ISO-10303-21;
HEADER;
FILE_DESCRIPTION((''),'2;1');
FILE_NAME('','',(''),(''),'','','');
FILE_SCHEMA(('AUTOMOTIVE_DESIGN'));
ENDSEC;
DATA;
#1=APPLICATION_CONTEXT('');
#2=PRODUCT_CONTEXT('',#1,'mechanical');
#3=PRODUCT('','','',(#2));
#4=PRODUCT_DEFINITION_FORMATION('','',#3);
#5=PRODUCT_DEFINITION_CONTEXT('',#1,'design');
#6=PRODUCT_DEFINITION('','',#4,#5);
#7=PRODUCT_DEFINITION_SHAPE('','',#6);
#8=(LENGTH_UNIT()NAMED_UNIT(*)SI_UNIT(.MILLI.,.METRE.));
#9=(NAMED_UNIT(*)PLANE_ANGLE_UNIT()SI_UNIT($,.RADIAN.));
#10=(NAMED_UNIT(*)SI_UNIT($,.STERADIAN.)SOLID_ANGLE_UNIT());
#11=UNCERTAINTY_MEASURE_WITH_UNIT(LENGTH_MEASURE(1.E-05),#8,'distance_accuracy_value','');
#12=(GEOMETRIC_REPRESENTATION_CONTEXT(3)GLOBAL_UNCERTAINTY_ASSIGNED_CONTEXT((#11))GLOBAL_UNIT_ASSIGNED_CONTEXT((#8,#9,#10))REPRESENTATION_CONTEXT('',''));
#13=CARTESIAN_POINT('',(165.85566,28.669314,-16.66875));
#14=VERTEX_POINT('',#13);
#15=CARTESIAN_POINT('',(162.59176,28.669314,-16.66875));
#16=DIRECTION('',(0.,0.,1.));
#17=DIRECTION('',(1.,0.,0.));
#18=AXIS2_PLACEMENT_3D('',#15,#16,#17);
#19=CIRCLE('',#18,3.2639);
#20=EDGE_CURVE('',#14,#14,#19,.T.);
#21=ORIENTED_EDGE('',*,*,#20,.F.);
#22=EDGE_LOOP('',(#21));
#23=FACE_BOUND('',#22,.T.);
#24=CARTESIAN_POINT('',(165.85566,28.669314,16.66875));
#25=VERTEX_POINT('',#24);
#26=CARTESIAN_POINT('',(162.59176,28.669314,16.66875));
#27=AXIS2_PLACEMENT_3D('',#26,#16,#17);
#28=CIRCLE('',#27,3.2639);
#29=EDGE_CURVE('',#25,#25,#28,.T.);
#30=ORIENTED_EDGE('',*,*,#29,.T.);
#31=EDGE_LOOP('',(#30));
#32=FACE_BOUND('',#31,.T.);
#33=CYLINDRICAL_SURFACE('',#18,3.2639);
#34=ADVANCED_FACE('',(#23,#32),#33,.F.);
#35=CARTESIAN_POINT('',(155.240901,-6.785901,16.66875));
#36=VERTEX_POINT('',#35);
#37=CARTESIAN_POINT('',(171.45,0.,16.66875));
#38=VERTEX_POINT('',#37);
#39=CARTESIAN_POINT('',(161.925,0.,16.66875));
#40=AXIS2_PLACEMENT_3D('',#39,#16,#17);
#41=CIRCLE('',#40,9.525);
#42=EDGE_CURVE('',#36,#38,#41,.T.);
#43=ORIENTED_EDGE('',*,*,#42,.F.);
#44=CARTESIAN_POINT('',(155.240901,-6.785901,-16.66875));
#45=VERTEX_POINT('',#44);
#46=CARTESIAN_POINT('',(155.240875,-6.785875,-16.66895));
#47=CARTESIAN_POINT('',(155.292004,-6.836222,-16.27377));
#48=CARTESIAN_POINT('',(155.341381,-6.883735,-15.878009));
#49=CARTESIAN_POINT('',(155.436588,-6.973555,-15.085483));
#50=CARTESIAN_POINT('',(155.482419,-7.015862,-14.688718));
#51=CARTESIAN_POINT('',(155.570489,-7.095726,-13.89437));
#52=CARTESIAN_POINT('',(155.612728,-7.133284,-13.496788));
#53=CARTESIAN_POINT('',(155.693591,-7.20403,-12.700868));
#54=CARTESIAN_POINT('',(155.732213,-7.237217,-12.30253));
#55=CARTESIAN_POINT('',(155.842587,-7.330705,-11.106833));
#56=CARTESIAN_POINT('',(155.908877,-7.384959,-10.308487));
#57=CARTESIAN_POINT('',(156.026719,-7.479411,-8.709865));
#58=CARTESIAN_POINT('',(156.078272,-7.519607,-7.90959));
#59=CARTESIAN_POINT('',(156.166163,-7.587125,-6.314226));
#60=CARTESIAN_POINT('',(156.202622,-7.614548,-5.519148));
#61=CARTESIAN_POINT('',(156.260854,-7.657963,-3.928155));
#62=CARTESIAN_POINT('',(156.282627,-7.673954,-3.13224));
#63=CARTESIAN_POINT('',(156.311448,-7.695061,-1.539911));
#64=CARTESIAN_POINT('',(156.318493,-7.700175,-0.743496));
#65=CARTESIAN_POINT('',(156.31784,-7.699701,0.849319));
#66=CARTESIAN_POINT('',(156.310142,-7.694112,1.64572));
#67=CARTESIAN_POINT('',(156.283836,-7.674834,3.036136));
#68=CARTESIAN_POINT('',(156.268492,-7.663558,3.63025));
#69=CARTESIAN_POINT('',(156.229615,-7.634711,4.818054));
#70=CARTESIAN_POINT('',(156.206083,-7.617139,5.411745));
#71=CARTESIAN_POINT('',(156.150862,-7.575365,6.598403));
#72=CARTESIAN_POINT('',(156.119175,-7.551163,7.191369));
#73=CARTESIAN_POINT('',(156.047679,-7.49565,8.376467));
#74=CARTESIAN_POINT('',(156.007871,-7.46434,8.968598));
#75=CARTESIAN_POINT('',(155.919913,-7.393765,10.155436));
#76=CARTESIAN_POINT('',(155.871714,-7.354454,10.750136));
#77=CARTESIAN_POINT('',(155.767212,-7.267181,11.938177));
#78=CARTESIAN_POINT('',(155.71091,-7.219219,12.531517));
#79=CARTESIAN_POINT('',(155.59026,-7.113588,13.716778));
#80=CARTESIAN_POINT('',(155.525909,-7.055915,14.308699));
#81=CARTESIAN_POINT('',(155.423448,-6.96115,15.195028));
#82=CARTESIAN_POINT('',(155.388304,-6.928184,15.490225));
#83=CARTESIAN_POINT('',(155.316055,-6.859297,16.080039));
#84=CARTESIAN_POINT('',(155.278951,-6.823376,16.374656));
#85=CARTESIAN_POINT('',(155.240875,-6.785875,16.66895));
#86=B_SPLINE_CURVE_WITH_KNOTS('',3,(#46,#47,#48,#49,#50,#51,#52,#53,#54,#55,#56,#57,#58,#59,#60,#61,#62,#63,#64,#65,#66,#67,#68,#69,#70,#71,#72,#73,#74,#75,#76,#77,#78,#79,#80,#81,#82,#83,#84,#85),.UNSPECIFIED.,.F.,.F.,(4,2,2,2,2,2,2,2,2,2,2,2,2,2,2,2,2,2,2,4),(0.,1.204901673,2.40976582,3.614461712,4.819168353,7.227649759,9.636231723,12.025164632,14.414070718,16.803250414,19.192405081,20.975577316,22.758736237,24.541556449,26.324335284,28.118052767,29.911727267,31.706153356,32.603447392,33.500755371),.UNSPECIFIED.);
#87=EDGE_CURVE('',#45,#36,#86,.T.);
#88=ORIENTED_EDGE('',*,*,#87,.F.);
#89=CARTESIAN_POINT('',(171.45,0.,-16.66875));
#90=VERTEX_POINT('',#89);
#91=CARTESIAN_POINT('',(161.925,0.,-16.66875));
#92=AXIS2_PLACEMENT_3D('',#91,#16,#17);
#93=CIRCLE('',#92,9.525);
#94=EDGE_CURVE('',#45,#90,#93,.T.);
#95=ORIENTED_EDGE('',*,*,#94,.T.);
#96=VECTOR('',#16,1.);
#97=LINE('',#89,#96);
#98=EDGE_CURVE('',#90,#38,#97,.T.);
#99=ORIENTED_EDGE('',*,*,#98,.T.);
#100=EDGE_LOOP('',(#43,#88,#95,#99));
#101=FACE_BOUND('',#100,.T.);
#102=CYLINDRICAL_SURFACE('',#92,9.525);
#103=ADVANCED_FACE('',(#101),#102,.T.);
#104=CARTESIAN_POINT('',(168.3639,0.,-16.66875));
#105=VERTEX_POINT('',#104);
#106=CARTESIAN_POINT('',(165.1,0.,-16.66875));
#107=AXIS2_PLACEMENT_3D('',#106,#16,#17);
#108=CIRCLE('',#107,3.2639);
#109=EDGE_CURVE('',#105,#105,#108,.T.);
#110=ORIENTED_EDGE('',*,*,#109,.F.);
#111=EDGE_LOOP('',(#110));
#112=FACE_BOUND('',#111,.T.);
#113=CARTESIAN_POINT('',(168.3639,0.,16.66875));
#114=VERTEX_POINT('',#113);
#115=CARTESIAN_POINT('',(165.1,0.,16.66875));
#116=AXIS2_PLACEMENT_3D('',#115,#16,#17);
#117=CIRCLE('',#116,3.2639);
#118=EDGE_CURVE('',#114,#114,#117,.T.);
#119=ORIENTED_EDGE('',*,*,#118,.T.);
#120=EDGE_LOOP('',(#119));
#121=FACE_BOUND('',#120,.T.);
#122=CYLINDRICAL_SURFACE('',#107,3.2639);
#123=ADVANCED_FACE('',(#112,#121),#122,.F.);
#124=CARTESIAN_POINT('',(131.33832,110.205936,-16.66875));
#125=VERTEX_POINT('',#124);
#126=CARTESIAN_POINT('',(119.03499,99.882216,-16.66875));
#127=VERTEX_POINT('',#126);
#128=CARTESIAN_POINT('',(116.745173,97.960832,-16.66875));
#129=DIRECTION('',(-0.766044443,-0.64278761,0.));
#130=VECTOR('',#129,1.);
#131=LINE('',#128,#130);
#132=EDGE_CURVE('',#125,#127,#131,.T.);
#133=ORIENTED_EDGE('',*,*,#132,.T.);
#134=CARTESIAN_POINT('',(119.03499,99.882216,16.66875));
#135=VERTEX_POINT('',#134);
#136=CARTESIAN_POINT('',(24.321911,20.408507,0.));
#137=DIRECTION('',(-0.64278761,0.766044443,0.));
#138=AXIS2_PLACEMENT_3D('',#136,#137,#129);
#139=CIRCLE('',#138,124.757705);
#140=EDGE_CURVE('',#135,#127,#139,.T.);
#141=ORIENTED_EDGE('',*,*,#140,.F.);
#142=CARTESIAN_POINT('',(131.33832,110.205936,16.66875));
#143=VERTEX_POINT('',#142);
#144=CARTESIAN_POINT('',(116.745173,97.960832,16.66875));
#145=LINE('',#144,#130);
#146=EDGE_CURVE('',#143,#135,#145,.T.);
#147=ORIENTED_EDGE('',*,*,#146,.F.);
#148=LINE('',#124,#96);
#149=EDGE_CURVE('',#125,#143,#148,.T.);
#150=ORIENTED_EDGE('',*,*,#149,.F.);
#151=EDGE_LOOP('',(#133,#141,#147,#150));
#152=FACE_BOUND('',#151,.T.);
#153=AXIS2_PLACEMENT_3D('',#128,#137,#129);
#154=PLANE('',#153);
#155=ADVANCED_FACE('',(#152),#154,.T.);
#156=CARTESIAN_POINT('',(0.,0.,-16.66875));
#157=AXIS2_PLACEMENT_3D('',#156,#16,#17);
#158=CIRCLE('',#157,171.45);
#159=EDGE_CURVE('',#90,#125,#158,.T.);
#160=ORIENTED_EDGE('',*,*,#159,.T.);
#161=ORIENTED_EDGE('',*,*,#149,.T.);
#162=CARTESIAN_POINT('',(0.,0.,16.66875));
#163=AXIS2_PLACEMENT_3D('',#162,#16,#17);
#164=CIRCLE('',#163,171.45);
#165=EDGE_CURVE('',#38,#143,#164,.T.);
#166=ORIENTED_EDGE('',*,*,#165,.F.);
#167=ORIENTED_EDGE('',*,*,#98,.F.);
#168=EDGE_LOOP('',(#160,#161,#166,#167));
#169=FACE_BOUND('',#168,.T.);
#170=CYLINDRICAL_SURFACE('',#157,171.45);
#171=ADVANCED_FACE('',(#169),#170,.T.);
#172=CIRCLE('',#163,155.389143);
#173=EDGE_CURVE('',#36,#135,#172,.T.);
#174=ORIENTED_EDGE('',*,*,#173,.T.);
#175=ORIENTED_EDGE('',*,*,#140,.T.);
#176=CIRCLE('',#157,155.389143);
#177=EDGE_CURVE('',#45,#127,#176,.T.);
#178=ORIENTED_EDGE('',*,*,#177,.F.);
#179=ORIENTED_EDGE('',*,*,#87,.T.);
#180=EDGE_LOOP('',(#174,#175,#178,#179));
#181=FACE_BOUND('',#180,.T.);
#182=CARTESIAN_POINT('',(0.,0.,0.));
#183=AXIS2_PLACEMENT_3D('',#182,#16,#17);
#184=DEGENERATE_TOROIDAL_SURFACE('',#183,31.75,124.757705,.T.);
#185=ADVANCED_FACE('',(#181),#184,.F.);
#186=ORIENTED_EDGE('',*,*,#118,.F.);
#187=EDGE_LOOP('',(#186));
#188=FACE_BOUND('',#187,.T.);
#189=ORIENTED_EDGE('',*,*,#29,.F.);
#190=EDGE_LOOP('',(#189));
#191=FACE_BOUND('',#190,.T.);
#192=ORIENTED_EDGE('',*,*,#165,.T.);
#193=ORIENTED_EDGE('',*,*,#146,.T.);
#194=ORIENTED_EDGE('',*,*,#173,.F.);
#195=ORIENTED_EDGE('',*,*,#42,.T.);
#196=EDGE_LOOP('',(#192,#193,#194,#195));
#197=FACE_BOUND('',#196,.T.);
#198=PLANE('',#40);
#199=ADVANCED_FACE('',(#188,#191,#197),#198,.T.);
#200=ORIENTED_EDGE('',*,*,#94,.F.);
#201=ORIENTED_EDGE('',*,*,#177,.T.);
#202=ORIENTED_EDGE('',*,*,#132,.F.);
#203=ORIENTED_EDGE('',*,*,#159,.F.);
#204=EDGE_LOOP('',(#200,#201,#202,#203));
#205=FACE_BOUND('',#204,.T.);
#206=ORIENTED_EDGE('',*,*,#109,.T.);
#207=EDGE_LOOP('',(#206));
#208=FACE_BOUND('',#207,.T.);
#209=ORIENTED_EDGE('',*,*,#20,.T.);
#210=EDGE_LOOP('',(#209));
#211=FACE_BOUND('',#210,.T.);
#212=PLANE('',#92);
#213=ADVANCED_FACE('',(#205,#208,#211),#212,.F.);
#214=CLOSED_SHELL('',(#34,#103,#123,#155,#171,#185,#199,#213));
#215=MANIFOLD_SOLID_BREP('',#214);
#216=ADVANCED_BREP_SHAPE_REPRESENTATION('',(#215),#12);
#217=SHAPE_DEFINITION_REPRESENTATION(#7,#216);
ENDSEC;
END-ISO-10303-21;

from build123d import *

# Parameters (mm, degrees)
BOSS_EXTRUDE1_DEPTH      = 16.66875
BOSS_EXTRUDE1_DEPTH_BACK = 16.66875
SKETCH2_R                = 3.2639


with BuildPart() as part:
    # Sketch2 → Boss-Extrude1 (new, two sides: drawn at the far end of the back side and taken through both)
    with BuildSketch(Plane.XY.offset(-BOSS_EXTRUDE1_DEPTH_BACK)):
        with BuildLine():
            Line((116.745173131, 97.960831716), (131.338319773, 110.205935681))
            ThreePointArc((131.338319773, 110.205935681), (161.110299834, 58.639353573), (171.45, 0))
            ThreePointArc((171.45, 0), (161.925, -9.525), (152.4, 0))
            ThreePointArc((152.4, 0), (143.209155408, 52.123869843), (116.745173131, 97.960831716))
        make_face()
        with Locations((165.1, 0)):
            Circle(SKETCH2_R, mode=Mode.SUBTRACT)
        with Locations((162.591760022, 28.669314133)):
            Circle(SKETCH2_R, mode=Mode.SUBTRACT)
    extrude(amount=BOSS_EXTRUDE1_DEPTH + BOSS_EXTRUDE1_DEPTH_BACK)

    # Sketch3 → Cut-Revolve2 (revolve, cut)
    with BuildSketch(Plane(origin=(0, 0, 0), x_dir=(1, 0, 0), z_dir=(0, 1, 0))):
        with BuildLine():
            Line((31.75, 0), (31.75, 124.757705173))
            ThreePointArc((31.75, 124.757705173), (156.507705173, 0), (31.75, -124.757705173))
            Line((31.75, -124.757705173), (31.75, 0))
        make_face()
    revolve(axis=Axis((0, 0, 1000), (0, 0, -1)), mode=Mode.SUBTRACT)


solid = part.part
